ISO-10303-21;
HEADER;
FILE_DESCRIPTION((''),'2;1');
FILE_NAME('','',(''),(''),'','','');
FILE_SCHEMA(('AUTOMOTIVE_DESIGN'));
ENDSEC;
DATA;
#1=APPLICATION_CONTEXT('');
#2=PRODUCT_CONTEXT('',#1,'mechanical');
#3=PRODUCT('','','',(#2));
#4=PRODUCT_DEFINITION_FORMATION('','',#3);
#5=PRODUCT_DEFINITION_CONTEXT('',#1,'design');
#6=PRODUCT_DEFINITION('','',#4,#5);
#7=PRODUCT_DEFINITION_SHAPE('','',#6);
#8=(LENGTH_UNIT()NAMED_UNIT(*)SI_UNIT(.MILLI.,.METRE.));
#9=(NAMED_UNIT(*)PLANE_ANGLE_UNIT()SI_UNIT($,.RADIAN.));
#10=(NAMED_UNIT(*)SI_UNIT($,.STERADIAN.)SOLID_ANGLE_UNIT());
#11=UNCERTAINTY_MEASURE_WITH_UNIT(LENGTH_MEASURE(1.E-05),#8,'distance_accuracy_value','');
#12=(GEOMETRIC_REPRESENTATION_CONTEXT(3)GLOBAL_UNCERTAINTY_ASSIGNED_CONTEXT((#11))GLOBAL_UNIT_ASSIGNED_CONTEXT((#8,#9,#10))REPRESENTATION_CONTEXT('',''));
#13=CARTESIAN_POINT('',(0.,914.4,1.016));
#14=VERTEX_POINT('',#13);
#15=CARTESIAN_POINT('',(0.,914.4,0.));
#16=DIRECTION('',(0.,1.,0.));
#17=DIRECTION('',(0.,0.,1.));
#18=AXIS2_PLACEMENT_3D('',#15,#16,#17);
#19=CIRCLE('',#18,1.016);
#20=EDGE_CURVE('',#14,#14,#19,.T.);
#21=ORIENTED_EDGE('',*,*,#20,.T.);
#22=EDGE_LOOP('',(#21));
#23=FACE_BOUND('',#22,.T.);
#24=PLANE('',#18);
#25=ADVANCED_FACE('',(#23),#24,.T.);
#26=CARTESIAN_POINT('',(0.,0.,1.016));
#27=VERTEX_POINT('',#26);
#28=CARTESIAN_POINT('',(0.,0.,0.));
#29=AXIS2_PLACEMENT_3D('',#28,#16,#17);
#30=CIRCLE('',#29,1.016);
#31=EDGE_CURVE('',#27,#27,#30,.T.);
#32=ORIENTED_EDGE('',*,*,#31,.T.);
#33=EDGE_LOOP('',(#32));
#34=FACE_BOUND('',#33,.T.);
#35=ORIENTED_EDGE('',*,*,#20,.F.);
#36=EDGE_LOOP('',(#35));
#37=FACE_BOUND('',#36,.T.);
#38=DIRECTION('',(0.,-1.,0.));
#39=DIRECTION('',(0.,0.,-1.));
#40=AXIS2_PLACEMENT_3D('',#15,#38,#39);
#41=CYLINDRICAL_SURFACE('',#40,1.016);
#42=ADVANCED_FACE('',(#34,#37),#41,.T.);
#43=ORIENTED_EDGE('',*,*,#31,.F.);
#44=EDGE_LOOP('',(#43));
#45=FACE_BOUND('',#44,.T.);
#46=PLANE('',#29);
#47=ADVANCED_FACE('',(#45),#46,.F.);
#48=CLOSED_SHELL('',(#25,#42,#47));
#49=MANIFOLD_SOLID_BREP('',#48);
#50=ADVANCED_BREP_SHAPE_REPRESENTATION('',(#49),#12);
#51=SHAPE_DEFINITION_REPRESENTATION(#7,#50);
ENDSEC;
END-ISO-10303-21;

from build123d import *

# Parameters (mm, degrees)
SKETCH2_R           = 1.016
BOSS_EXTRUDE1_DEPTH = 914.4


with BuildPart() as part:
    # Sketch2 → Boss-Extrude1 (new body)
    with BuildSketch(Plane(origin=(0, 0, 0), x_dir=(1, 0, 0), z_dir=(0, 1, 0))):
        Circle(SKETCH2_R)
    extrude(amount=BOSS_EXTRUDE1_DEPTH)


solid = part.part
